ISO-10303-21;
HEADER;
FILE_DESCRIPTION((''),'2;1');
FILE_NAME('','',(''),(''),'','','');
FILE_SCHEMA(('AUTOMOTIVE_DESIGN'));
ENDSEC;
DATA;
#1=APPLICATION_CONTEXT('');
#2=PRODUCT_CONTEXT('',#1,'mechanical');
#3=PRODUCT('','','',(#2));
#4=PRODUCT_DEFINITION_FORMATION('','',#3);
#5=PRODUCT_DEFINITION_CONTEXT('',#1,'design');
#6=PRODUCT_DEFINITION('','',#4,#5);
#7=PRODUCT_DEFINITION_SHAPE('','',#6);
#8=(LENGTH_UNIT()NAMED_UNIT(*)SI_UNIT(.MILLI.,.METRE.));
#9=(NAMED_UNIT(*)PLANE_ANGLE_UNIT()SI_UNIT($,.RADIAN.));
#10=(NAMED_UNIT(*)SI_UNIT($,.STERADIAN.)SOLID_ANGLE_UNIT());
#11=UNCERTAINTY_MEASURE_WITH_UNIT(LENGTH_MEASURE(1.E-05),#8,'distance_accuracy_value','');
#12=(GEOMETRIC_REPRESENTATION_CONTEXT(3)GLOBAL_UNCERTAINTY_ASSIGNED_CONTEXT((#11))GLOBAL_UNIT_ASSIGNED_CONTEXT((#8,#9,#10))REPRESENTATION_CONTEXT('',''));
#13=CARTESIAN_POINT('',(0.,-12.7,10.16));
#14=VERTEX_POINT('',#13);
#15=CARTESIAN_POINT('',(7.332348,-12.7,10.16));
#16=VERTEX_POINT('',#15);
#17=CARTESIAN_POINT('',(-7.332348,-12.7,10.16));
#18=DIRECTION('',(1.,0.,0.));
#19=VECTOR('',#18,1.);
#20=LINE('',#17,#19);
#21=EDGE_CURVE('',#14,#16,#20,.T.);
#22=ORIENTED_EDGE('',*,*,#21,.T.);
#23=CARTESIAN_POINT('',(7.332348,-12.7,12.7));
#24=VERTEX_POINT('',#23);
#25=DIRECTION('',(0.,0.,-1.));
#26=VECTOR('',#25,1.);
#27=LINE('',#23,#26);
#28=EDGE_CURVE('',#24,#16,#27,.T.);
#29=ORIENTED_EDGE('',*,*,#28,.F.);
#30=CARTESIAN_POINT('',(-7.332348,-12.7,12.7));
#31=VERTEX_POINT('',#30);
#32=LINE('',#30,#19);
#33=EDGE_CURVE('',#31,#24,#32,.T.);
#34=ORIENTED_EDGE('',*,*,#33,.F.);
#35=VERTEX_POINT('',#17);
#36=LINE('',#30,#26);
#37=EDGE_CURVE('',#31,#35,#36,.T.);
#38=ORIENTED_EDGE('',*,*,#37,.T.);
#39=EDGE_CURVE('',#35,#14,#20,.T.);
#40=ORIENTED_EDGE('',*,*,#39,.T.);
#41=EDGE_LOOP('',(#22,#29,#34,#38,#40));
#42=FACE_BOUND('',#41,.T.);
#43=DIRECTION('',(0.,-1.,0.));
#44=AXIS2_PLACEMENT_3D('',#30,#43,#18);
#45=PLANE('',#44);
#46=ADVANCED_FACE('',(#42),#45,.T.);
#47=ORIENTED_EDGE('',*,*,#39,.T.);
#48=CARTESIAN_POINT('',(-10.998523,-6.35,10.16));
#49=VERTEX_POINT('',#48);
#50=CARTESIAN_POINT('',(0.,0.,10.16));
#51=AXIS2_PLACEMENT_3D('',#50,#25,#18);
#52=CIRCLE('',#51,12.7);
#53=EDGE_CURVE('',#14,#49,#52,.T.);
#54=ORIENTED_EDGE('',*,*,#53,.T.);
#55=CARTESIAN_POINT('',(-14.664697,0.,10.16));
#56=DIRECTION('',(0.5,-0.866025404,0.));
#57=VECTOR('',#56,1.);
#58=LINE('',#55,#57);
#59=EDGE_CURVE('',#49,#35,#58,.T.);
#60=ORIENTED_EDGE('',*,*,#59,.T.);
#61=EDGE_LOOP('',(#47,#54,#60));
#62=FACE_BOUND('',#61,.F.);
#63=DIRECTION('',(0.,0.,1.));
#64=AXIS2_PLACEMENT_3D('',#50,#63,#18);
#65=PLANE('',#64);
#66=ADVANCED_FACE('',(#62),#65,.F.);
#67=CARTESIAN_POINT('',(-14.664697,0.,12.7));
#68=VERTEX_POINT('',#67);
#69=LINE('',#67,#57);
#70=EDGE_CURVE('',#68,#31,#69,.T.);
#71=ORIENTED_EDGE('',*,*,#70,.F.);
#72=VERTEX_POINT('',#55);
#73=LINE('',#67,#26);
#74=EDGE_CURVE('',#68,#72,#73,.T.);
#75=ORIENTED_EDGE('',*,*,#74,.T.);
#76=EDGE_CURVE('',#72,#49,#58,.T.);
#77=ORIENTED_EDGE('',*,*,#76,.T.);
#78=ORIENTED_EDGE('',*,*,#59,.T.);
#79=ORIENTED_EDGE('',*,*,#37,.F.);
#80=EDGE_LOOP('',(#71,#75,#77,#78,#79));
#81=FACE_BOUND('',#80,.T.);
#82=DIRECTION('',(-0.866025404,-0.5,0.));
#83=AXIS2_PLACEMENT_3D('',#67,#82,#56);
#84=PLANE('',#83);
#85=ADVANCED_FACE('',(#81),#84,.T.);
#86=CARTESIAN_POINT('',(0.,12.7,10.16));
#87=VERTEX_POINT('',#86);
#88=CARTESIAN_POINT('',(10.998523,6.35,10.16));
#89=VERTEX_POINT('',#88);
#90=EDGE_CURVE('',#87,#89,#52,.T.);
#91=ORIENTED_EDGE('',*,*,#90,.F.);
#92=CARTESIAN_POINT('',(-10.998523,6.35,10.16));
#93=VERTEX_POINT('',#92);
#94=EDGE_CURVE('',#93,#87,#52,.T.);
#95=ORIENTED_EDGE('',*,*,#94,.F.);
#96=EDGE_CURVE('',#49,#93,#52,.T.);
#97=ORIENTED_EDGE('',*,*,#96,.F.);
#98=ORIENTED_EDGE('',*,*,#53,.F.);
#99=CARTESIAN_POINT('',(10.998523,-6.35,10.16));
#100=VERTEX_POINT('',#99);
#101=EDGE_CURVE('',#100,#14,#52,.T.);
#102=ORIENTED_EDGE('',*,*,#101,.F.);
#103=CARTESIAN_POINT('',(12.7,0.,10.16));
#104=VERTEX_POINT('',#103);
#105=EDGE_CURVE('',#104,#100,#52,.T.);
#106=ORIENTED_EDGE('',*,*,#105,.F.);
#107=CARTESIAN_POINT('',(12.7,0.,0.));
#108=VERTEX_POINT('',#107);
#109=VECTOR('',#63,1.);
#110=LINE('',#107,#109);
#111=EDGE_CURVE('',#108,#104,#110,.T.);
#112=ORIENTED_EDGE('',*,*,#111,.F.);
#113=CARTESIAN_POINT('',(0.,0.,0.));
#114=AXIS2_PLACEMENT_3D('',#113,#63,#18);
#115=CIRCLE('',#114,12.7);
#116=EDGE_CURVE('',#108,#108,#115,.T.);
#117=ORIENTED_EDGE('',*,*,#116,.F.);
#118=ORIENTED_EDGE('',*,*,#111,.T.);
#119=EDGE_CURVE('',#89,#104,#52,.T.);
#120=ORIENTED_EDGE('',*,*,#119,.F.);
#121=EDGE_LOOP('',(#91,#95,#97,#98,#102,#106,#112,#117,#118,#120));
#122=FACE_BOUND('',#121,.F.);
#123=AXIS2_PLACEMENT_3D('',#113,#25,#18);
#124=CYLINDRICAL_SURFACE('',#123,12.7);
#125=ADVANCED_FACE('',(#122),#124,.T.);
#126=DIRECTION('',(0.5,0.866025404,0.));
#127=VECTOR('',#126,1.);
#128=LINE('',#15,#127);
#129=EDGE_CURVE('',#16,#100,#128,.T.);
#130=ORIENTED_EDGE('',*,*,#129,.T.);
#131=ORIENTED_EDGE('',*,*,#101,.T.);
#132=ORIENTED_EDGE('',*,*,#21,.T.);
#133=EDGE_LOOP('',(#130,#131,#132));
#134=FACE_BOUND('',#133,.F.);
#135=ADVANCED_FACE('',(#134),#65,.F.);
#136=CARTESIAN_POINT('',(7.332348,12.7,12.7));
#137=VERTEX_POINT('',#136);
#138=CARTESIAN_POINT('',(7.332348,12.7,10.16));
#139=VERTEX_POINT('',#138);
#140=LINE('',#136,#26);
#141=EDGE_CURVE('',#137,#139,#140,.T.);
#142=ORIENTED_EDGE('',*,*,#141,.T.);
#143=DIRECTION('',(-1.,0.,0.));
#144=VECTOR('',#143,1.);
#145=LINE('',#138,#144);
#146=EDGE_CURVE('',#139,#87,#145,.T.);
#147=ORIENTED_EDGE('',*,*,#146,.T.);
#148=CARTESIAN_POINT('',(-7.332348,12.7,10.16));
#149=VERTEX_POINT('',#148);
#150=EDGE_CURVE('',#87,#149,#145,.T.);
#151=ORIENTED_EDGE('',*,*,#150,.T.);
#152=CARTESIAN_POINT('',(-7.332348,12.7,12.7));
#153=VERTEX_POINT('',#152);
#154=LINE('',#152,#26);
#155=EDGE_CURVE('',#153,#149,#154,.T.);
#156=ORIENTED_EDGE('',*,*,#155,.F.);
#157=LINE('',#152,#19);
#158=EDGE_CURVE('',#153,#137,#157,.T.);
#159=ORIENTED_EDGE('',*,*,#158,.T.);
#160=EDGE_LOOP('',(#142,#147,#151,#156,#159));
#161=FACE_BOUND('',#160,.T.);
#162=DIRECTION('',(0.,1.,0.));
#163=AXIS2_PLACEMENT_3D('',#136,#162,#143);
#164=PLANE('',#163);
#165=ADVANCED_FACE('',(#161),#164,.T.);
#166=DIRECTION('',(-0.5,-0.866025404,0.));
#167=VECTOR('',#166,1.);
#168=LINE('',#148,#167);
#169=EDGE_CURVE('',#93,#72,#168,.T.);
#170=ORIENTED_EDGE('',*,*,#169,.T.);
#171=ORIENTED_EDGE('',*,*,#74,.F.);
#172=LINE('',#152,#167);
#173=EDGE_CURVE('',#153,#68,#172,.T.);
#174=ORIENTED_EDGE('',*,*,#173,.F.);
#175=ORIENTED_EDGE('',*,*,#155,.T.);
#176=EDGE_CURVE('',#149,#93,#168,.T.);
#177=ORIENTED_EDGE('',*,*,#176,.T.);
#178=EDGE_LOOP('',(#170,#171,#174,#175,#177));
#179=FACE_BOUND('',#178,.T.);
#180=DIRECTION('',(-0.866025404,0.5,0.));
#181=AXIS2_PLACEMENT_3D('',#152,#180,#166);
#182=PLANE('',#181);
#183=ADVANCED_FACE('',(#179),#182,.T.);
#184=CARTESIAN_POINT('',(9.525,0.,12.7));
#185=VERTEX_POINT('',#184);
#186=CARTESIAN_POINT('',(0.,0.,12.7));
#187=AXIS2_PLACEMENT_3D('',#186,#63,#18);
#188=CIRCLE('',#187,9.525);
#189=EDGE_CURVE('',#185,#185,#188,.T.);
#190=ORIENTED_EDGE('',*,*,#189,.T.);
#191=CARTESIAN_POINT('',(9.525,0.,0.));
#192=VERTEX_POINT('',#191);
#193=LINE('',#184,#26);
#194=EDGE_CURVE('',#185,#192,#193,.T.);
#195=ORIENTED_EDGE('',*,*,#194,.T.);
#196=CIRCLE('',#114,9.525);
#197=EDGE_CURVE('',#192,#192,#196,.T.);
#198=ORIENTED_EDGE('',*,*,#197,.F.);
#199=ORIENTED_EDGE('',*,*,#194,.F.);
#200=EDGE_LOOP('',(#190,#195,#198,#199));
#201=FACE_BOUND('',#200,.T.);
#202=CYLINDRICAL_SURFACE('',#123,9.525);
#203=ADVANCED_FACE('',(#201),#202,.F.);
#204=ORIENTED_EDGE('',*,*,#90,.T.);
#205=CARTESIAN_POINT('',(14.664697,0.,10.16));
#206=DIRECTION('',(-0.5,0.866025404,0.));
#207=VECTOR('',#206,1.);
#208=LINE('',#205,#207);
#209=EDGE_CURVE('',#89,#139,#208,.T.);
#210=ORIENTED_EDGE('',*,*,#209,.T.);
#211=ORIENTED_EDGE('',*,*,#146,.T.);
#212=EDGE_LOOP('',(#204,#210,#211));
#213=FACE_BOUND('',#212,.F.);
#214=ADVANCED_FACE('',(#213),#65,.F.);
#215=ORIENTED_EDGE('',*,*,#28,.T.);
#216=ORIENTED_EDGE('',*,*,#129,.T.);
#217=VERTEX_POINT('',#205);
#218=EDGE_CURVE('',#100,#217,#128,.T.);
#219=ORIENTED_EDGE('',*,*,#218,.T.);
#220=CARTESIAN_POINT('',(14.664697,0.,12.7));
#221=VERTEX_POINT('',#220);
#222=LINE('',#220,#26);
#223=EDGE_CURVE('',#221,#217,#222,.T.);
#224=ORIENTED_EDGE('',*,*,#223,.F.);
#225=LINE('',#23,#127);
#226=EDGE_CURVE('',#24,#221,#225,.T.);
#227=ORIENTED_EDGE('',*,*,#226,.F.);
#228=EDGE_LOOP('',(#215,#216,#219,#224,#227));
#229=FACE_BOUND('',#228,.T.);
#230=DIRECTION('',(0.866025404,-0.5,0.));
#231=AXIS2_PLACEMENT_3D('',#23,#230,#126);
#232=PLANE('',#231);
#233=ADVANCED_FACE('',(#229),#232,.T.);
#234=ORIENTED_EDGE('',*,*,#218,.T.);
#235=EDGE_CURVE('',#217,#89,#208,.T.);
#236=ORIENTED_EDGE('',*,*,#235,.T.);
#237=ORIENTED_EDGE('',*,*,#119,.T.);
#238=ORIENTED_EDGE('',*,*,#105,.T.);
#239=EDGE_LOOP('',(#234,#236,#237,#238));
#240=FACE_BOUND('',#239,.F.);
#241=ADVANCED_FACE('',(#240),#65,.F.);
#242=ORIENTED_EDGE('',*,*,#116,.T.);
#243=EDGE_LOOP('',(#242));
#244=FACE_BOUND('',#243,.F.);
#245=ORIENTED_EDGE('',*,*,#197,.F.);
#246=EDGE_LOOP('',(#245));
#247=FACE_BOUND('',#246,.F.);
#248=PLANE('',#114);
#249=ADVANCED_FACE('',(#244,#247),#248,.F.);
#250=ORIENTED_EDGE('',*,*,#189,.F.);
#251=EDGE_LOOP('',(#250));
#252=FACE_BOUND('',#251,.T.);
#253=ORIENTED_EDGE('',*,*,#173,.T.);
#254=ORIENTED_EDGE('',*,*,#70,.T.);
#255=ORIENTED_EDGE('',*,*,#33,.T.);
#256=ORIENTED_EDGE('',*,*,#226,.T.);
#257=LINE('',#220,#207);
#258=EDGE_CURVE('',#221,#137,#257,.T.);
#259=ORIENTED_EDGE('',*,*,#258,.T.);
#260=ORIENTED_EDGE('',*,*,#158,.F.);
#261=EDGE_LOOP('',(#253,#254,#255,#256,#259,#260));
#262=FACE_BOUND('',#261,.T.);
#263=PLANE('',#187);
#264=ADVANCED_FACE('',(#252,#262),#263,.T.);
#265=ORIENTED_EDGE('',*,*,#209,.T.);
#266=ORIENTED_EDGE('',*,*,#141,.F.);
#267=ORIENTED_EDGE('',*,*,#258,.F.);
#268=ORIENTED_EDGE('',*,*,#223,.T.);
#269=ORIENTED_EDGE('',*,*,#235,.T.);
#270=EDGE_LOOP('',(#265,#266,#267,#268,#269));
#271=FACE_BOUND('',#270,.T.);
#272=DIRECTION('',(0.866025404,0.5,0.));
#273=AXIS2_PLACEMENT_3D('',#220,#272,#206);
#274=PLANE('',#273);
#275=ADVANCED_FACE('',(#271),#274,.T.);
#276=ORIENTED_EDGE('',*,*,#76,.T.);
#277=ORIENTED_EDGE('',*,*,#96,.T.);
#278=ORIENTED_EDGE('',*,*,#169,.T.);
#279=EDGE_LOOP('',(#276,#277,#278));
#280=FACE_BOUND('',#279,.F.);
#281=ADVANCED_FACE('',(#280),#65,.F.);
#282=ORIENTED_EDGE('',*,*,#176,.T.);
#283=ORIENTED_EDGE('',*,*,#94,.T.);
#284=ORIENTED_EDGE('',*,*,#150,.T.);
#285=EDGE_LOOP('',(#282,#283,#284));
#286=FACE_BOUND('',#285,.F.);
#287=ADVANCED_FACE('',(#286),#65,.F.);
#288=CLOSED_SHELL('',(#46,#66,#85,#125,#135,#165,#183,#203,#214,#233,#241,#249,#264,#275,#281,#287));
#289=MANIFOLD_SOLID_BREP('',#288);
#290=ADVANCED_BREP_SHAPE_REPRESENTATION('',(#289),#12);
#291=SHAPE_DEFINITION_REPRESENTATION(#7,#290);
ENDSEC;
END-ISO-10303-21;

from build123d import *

# Parameters (mm, degrees)
F0_R     = 12.7
F0_R_2   = 9.525
F1_DEPTH = 12.7
F2_R     = 9.525
F3_DEPTH = 2.54


with BuildPart() as f1:
    # F0 (on Top) → F1 (new body)
    with BuildSketch(Plane.XY):
        Circle(F0_R)
        Circle(F0_R_2, mode=Mode.SUBTRACT)
    extrude(amount=F1_DEPTH)

    # F2 (on face) → F3 (join)
    with BuildSketch(Plane.XY.offset(12.7)):
        Polygon((7.3323484187, 12.7), (-7.3323484187, 12.7), (-14.6646968374, 0), (-7.3323484187, -12.7), (7.3323484187, -12.7), (14.6646968374, 0), align=None)
        Circle(F2_R, mode=Mode.SUBTRACT)
    extrude(amount=-F3_DEPTH)


solid = f1.part
